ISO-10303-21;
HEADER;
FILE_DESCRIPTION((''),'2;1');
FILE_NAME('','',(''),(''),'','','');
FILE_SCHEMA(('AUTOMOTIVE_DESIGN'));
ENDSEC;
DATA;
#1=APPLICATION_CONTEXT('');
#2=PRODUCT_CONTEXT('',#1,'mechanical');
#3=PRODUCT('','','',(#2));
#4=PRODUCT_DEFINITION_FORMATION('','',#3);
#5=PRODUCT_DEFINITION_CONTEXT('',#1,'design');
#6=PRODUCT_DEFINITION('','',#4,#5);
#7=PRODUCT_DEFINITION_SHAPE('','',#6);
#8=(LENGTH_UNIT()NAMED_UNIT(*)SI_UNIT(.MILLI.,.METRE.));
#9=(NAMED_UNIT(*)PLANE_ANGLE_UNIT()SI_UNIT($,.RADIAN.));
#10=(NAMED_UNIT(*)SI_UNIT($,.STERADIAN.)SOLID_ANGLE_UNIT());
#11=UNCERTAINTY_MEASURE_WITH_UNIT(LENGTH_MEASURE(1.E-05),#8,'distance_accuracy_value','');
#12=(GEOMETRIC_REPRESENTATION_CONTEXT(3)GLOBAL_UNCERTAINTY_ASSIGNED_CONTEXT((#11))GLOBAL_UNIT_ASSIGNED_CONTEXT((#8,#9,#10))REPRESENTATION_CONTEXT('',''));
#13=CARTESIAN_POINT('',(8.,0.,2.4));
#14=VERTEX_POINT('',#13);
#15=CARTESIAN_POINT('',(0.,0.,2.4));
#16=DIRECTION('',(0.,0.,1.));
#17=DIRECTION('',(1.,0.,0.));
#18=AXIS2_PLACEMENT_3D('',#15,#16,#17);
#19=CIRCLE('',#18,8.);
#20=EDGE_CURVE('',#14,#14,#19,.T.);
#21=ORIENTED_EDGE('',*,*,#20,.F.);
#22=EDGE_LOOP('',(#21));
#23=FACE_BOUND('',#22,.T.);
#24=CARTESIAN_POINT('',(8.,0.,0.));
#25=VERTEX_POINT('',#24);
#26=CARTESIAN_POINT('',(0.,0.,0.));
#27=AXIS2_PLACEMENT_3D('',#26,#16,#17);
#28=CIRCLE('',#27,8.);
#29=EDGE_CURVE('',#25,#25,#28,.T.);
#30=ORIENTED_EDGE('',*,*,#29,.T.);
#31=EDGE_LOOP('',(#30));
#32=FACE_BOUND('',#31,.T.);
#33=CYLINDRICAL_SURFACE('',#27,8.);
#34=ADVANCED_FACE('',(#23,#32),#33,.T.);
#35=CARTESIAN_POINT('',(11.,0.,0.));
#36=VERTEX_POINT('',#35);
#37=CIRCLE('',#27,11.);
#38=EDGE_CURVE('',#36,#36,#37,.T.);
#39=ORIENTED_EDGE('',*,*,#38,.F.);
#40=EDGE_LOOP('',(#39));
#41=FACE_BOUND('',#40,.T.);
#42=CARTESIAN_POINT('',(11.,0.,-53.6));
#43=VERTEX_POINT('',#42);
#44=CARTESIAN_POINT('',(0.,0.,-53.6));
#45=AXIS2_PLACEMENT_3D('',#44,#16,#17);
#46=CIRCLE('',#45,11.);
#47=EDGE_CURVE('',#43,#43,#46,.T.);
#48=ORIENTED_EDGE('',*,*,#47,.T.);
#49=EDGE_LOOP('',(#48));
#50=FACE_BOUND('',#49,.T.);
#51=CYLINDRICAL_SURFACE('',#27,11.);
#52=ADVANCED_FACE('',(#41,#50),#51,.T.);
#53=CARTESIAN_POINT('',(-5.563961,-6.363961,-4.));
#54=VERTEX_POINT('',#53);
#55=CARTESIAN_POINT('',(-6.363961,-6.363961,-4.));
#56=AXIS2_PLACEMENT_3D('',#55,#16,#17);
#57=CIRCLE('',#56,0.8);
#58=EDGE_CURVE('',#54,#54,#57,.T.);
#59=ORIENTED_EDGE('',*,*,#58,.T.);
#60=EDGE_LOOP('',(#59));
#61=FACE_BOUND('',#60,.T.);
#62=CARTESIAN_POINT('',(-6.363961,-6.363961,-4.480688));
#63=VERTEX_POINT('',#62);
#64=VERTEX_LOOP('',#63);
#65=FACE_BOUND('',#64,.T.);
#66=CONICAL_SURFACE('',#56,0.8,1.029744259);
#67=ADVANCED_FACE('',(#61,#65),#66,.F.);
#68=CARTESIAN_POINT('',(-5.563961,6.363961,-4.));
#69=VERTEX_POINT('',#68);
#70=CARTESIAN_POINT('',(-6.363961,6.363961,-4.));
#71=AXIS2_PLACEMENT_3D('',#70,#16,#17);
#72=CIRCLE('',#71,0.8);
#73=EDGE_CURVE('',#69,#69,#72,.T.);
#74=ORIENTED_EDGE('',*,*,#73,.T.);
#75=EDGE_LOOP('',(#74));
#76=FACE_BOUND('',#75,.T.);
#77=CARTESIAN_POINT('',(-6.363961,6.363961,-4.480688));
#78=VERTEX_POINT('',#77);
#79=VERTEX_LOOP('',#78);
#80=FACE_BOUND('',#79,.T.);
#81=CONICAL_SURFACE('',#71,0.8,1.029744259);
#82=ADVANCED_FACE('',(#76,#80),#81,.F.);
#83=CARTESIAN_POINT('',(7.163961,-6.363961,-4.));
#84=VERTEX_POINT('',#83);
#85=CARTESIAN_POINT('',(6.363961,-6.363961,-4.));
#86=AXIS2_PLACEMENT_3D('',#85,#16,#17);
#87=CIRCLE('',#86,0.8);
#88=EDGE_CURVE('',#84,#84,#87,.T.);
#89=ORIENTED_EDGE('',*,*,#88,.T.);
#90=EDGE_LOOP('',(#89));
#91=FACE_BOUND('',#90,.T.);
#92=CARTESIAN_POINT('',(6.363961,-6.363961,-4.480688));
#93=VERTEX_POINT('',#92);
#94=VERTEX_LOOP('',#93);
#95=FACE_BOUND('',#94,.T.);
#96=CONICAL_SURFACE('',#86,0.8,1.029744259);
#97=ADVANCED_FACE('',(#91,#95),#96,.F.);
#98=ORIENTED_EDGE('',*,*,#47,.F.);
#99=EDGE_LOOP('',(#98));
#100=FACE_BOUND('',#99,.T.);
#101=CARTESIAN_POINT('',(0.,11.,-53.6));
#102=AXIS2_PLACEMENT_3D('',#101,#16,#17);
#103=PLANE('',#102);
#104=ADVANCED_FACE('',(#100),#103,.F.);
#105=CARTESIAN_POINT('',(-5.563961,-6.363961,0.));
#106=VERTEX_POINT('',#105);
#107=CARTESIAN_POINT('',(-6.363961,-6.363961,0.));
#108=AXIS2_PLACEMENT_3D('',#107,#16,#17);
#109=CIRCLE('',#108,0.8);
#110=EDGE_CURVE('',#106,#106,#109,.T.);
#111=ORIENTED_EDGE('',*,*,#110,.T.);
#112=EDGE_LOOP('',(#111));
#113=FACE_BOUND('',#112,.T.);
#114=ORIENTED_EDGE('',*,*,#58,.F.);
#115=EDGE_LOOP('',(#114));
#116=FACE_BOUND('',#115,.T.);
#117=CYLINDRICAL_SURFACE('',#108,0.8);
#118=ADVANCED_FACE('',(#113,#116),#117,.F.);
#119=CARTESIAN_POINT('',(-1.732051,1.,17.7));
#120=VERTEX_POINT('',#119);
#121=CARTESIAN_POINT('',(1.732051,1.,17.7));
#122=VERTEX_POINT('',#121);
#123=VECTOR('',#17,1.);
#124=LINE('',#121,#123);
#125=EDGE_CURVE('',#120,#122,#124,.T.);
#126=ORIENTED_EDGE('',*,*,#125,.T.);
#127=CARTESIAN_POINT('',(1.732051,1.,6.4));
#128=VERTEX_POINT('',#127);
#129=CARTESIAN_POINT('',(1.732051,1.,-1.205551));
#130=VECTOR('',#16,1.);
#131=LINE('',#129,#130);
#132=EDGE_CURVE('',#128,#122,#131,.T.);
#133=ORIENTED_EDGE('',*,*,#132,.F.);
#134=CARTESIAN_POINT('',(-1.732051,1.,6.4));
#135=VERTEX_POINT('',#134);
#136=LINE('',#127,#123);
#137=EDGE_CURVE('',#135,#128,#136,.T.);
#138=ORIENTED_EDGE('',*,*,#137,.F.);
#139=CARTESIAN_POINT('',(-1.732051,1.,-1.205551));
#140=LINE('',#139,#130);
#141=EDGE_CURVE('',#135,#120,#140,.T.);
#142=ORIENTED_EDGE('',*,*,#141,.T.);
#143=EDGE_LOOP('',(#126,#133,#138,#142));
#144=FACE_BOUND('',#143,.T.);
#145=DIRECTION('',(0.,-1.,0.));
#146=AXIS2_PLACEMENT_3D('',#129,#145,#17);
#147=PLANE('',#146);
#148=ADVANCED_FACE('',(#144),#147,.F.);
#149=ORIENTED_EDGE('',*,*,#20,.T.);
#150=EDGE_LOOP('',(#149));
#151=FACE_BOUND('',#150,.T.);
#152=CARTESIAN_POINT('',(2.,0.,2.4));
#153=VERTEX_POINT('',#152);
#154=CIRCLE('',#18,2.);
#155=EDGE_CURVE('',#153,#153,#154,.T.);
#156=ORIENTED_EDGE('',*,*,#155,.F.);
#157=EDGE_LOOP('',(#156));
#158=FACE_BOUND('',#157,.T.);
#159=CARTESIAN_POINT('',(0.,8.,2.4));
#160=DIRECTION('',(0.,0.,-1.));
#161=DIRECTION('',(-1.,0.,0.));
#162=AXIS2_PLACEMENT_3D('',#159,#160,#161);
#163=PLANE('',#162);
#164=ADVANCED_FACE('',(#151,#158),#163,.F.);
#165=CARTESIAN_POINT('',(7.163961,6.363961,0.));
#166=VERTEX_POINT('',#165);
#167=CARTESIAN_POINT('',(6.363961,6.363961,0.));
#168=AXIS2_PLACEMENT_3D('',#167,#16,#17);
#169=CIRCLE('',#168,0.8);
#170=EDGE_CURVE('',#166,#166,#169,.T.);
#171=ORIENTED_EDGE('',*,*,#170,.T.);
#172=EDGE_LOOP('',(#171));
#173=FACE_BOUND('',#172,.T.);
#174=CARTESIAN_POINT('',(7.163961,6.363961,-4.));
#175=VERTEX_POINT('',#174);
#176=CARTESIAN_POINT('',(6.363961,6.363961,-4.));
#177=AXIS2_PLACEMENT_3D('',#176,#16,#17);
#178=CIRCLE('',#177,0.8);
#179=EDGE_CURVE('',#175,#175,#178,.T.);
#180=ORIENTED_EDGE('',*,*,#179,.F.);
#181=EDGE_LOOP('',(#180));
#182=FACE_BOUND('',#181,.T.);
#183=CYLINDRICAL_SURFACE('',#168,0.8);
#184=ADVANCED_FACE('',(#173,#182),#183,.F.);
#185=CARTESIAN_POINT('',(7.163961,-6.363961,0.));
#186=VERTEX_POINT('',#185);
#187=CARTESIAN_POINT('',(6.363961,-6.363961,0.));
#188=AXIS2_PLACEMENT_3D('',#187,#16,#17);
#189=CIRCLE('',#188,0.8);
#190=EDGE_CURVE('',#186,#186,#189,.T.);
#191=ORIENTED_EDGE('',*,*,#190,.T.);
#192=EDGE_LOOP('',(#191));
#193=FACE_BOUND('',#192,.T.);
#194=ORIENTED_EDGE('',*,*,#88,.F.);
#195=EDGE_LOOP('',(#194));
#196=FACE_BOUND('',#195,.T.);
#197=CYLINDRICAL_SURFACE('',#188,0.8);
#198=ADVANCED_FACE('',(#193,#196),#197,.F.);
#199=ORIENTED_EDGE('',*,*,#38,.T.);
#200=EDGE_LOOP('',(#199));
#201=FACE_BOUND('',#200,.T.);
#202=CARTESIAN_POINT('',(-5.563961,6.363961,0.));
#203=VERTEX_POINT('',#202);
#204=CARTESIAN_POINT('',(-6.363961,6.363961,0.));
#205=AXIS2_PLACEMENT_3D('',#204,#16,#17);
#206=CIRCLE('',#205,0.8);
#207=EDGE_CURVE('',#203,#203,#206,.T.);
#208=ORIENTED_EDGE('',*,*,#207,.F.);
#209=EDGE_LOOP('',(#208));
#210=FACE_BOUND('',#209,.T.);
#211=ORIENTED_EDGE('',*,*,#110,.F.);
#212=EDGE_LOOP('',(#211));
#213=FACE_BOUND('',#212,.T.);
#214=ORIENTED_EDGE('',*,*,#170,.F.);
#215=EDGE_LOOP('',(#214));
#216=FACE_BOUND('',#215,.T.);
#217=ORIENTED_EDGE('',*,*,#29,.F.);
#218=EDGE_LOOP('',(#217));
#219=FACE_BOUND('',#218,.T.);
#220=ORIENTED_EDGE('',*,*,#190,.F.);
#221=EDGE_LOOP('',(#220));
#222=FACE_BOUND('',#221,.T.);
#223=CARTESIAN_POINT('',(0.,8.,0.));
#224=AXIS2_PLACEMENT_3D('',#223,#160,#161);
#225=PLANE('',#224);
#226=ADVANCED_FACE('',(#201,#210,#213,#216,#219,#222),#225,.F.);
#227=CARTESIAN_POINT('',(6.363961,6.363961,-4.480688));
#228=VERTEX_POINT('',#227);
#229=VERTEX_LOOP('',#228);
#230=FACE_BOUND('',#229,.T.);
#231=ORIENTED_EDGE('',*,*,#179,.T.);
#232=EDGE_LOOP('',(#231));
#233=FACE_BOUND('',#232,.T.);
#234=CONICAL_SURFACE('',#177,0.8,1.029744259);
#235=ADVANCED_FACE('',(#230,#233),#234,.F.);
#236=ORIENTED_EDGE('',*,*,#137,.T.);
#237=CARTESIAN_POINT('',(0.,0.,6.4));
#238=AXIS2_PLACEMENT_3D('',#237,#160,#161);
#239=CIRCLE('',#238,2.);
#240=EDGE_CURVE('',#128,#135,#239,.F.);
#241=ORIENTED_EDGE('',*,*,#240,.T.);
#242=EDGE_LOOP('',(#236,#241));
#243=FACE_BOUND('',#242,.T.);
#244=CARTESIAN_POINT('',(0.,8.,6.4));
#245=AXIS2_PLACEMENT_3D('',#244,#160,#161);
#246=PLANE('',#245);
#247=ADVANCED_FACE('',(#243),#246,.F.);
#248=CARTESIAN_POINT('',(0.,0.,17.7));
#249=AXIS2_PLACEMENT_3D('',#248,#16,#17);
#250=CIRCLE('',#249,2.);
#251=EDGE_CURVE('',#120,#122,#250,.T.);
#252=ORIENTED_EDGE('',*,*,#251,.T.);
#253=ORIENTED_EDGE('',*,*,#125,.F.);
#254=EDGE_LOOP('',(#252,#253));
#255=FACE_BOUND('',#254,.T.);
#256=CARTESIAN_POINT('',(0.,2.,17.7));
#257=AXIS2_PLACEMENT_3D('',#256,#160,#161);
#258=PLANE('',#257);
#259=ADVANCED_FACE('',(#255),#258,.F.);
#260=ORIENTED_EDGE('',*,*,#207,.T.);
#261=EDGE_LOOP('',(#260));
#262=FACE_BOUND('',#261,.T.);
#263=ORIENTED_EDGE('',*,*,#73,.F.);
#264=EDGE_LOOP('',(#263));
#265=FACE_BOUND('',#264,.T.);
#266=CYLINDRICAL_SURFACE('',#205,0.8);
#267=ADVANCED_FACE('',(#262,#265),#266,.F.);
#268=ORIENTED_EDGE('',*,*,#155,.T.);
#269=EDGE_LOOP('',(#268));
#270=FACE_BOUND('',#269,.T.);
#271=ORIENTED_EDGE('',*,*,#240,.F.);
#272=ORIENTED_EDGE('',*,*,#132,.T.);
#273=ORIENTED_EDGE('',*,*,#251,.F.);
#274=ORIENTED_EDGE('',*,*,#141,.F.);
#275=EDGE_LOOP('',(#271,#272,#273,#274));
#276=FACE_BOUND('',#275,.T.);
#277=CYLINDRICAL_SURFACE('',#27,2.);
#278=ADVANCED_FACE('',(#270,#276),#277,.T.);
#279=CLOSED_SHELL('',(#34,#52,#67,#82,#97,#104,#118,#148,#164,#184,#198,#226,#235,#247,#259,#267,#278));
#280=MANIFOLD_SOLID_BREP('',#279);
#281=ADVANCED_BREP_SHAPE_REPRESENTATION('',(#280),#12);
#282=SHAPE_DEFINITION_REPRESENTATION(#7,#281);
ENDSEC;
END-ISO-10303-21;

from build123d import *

# Parameters (mm, degrees)
CUT_EXTRUDE1_DEPTH              = 11.3
TAP_DRILL_FOR_M2X0_4_TAP1_D     = 1.6
TAP_DRILL_FOR_M2X0_4_TAP1_DEPTH = 4
TAP_DRILL_FOR_M2X0_4_TAP1_TIP   = 0.480688495


with BuildPart() as part:
    # Sketch4 → Revolve1 (revolve)
    with BuildSketch(Plane(origin=(0, 0, 0), x_dir=(0, 0, -1), z_dir=(1, 0, 0))):
        Polygon((0, 8), (0, 11), (21.4, 11), (53.6, 11), (53.6, 0), (0, 0), (-17.7, 0), (-17.7, 2), (-2.4, 2), (-2.4, 8), align=None)
    revolve(axis=Axis((0, 0, 0), (0, 0, -1)))

    # Sketch5 → Cut-Extrude1 (cut)
    with BuildSketch(Plane.XY.offset(17.7)):
        with BuildLine():
            Line((1.732050808, 1), (-1.732050808, 1))
            ThreePointArc((-1.732050808, 1), (-1, 1.732050808), (0, 2))
            ThreePointArc((0, 2), (1, 1.732050808), (1.732050808, 1))
        make_face()
    extrude(amount=-CUT_EXTRUDE1_DEPTH, mode=Mode.SUBTRACT)

    # Tap Drill for M2x0.4 Tap1
    with Locations(Plane.XY):
        with Locations((6.363961031, 6.363961031), (6.363961031, -6.363961031), (-6.363961031, -6.363961031), (-6.363961031, 6.363961031)):
            Hole(TAP_DRILL_FOR_M2X0_4_TAP1_D / 2, depth=TAP_DRILL_FOR_M2X0_4_TAP1_DEPTH)
            with Locations((0, 0, -(TAP_DRILL_FOR_M2X0_4_TAP1_DEPTH + TAP_DRILL_FOR_M2X0_4_TAP1_TIP / 2))):  # 118° drill point
                Cone(0, TAP_DRILL_FOR_M2X0_4_TAP1_D / 2, TAP_DRILL_FOR_M2X0_4_TAP1_TIP, mode=Mode.SUBTRACT)


solid = part.part
